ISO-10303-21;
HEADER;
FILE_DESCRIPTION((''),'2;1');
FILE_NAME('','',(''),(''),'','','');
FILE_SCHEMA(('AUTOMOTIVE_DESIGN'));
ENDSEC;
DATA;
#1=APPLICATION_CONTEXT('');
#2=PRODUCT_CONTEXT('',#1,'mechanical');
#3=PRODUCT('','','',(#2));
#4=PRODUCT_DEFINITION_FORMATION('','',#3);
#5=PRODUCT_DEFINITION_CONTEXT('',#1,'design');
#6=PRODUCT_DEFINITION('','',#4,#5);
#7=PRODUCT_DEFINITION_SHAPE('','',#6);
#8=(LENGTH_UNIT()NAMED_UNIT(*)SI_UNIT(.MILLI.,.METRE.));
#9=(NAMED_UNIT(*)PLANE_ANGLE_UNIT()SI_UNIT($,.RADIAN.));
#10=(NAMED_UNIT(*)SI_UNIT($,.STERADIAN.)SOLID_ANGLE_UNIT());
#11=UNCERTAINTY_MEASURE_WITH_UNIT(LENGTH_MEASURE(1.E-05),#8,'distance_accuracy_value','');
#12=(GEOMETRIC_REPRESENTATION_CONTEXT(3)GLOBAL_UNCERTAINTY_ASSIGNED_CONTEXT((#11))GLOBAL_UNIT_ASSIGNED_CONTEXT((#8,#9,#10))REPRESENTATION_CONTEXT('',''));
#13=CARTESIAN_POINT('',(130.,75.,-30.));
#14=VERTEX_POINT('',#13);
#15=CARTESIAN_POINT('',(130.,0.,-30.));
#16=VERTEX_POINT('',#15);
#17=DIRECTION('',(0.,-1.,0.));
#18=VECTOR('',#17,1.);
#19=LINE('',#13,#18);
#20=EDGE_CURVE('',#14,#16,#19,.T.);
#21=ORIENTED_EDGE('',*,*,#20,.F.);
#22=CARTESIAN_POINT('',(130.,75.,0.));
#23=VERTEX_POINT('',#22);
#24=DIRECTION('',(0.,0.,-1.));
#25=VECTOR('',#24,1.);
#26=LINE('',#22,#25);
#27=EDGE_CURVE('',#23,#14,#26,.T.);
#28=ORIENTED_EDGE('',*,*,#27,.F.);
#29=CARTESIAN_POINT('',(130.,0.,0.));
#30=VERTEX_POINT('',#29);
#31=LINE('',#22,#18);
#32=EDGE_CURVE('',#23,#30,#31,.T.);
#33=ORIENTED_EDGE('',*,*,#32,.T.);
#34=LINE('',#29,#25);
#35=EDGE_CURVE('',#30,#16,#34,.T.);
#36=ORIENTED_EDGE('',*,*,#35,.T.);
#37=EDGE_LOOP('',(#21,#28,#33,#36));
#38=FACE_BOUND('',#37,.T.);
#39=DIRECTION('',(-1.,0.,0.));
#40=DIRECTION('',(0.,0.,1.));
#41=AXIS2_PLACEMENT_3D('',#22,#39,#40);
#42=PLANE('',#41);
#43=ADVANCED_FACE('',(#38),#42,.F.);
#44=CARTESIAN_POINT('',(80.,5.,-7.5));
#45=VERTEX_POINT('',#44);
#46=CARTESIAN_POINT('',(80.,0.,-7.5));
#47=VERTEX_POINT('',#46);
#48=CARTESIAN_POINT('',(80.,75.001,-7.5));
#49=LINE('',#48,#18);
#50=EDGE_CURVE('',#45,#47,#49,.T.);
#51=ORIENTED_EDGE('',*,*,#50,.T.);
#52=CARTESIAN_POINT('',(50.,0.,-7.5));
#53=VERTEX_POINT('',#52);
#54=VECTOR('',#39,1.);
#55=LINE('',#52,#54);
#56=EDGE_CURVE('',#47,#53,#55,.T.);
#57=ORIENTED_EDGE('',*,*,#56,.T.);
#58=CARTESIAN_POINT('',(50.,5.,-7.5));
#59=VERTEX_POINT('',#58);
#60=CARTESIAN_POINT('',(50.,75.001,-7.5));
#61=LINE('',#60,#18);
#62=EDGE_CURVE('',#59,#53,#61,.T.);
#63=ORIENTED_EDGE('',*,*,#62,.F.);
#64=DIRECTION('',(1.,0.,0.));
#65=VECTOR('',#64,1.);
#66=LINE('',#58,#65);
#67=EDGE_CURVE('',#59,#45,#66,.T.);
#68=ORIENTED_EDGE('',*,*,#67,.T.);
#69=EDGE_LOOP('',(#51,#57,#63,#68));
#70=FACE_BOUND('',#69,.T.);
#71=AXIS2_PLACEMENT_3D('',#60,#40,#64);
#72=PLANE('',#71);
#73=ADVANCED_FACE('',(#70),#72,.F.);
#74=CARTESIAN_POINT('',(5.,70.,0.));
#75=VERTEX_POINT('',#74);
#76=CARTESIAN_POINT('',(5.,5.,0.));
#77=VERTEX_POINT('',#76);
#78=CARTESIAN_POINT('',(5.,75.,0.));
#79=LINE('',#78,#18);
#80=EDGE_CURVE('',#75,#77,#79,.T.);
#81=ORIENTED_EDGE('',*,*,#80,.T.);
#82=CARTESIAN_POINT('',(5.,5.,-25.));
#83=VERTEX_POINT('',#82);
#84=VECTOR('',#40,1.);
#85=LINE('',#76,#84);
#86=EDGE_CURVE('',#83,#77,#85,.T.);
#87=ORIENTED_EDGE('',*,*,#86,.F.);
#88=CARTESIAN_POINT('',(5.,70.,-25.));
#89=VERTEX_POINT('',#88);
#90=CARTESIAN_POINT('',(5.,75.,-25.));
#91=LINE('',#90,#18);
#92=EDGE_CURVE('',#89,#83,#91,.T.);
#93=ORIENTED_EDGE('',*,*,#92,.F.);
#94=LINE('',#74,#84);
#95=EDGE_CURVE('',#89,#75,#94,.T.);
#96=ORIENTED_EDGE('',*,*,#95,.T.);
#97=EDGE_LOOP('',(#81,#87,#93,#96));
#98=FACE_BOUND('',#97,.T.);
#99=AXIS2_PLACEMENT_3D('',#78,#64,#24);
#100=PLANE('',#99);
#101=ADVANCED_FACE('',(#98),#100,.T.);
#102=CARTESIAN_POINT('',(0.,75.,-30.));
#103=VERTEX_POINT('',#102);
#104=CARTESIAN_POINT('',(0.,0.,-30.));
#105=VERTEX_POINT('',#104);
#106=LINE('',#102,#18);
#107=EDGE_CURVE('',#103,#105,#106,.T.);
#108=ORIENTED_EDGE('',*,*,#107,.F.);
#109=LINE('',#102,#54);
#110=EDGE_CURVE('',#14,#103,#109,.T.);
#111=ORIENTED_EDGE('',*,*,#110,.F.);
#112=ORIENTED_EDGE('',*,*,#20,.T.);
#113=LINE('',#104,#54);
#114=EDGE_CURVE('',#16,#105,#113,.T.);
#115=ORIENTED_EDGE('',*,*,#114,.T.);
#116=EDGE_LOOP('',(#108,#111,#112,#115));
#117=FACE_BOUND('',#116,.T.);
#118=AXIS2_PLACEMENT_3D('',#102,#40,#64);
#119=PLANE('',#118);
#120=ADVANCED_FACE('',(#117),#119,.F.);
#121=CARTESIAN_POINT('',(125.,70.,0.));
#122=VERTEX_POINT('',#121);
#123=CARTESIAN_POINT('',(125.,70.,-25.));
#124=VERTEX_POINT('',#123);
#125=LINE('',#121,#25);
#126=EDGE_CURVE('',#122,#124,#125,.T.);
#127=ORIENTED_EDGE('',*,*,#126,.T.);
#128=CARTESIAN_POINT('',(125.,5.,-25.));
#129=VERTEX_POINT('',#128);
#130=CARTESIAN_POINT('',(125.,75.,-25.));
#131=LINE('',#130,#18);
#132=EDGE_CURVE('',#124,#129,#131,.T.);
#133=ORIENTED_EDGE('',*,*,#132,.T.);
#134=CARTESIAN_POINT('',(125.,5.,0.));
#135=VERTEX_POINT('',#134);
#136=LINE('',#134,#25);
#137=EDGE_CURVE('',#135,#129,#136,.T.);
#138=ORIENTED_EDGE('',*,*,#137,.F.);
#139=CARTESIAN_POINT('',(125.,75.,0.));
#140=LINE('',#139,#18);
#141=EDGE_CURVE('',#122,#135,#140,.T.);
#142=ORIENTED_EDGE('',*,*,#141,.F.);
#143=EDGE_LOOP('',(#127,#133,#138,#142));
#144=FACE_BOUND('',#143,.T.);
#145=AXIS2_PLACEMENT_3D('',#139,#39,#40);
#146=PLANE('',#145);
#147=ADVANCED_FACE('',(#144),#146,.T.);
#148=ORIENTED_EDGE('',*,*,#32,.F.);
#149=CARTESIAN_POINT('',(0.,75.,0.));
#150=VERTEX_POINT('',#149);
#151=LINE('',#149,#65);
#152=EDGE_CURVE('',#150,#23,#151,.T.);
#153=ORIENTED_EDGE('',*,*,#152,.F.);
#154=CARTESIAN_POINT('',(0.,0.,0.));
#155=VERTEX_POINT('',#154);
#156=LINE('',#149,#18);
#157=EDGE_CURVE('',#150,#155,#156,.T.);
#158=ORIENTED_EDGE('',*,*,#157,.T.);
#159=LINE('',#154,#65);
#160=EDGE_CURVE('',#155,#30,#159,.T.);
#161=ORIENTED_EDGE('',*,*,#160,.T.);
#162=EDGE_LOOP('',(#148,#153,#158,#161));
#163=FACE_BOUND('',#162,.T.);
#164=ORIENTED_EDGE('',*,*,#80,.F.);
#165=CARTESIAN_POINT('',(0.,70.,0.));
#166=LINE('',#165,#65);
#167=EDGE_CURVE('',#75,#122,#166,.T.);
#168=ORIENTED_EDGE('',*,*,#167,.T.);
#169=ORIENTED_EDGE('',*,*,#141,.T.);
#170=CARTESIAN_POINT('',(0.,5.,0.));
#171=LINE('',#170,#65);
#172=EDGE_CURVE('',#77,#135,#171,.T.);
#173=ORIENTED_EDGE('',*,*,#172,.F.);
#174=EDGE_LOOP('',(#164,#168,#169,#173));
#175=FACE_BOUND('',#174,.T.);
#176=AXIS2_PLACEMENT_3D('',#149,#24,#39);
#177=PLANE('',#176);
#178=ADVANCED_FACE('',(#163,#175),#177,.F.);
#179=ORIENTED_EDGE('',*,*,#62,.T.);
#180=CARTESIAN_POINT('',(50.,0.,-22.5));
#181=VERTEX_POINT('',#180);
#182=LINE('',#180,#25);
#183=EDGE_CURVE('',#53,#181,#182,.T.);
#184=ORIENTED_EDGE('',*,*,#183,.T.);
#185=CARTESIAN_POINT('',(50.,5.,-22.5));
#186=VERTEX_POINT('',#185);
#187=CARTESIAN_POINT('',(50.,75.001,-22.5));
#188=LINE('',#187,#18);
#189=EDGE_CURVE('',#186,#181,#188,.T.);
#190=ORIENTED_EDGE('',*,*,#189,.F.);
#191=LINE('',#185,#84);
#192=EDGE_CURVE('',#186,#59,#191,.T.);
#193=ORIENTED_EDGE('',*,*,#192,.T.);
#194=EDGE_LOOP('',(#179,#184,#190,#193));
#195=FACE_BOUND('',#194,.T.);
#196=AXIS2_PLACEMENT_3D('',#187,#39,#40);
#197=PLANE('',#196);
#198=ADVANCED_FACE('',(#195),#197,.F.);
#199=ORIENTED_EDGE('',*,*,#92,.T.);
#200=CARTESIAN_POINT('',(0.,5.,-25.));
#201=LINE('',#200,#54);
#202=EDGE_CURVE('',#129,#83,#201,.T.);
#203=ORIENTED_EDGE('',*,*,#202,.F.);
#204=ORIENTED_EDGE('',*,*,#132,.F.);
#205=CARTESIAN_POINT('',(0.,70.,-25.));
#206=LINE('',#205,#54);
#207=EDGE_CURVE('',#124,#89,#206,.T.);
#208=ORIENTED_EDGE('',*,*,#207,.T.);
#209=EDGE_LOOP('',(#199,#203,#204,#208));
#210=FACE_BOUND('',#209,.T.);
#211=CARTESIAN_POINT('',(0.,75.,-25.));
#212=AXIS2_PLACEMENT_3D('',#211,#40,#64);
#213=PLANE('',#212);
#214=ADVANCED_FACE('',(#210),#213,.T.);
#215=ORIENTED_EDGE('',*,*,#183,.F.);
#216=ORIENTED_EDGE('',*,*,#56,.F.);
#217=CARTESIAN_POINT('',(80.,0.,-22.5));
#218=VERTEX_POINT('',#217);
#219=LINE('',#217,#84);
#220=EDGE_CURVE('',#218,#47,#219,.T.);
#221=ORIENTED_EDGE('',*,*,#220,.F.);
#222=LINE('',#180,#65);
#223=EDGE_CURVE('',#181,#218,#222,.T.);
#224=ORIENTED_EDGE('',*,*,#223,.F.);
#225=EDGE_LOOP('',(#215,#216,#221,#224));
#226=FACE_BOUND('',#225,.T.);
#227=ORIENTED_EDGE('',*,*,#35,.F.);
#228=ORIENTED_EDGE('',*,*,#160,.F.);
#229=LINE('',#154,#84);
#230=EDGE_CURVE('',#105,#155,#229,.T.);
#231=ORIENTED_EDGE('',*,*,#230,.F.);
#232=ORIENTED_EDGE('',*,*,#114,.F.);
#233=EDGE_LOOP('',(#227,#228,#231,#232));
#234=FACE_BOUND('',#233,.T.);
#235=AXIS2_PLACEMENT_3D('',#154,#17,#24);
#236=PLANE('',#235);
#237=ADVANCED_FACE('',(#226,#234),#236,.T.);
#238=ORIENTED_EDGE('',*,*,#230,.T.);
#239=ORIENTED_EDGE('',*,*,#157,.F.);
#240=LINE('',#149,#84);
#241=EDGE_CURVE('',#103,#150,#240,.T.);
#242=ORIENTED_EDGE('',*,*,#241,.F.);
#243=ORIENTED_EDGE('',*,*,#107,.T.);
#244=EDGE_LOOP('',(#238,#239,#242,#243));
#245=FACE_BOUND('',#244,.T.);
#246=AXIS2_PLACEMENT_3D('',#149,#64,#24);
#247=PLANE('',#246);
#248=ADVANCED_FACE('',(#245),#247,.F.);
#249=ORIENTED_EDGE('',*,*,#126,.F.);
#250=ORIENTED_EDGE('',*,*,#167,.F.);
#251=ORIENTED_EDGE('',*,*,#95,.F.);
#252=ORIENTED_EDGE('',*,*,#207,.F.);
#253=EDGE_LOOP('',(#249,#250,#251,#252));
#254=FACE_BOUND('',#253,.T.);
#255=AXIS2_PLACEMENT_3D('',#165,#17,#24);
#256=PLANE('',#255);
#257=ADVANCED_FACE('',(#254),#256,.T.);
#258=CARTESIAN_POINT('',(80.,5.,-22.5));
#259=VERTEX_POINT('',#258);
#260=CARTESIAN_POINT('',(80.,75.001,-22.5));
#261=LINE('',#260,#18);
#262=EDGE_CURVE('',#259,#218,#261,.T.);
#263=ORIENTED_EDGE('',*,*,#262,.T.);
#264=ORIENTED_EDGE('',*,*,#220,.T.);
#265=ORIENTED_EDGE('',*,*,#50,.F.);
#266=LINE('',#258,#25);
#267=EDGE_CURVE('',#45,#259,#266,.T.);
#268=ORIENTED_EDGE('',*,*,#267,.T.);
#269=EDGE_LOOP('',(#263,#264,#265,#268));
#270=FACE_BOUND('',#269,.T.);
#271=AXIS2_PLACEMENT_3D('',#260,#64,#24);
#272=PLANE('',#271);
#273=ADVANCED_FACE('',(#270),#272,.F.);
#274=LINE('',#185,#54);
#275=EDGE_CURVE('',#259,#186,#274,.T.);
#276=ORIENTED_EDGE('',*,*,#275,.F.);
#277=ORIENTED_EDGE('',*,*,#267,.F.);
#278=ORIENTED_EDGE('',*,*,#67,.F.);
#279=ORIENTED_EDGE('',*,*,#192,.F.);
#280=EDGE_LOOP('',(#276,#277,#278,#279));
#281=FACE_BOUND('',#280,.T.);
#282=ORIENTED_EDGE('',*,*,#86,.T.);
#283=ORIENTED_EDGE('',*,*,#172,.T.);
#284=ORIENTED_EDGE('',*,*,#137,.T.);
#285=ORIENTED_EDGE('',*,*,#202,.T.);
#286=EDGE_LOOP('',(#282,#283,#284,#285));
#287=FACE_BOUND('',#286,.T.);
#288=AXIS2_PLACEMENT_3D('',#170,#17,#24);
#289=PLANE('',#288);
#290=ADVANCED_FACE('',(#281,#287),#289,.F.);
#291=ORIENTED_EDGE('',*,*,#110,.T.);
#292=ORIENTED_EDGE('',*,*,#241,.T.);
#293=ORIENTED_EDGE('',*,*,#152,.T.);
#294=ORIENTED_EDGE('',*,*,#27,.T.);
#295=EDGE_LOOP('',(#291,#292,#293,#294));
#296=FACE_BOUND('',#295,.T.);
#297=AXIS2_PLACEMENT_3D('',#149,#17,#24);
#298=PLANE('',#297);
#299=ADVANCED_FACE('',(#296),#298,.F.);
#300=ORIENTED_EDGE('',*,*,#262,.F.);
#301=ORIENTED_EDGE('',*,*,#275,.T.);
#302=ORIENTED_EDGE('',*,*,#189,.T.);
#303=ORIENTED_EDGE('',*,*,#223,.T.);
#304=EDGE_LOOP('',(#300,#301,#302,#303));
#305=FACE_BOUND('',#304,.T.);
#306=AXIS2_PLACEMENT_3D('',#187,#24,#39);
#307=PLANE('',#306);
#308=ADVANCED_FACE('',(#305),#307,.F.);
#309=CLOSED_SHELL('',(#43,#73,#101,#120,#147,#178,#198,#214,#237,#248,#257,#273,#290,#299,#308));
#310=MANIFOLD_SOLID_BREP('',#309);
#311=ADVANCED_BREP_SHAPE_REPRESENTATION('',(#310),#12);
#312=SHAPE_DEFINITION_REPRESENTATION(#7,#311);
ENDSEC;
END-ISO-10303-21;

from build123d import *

# Parameters (mm, degrees)
SKETCH1_W           = 130
SKETCH1_H           = 30
BOSS_EXTRUDE1_DEPTH = 75
SHELL1_T            = -5
CUT_EXTRUDE1_REACH  = 77
SKETCH2_W           = 30
SKETCH2_H           = 15


with BuildPart() as part:
    # Sketch1 → Boss-Extrude1 (new body)
    with BuildSketch(Plane(origin=(0, 0, 0), x_dir=(1, 0, 0), z_dir=(0, 1, 0))):
        with Locations((65, 15)):
            Rectangle(SKETCH1_W, SKETCH1_H)
    extrude(amount=BOSS_EXTRUDE1_DEPTH)

    # Shell1
    shell1_openings = [part.faces().sort_by_distance(p)[0] for p in [
        (65, 37.5, 0),
    ]]
    offset(amount=SHELL1_T, openings=shell1_openings, kind=Kind.INTERSECTION)

    # Sketch2 → Cut-Extrude1 (cut, up to next)
    with BuildSketch(Plane.XZ, mode=Mode.PRIVATE) as cut_extrude1_sk1:
        with Locations((65, -15)):
            Rectangle(SKETCH2_W, SKETCH2_H)
    cut_extrude1_tool1 = extrude(cut_extrude1_sk1.sketch, amount=-CUT_EXTRUDE1_REACH, mode=Mode.PRIVATE) & part.part
    add(cut_extrude1_tool1.solids().sort_by_distance((65, 0, -15))[0], mode=Mode.SUBTRACT)


solid = part.part
